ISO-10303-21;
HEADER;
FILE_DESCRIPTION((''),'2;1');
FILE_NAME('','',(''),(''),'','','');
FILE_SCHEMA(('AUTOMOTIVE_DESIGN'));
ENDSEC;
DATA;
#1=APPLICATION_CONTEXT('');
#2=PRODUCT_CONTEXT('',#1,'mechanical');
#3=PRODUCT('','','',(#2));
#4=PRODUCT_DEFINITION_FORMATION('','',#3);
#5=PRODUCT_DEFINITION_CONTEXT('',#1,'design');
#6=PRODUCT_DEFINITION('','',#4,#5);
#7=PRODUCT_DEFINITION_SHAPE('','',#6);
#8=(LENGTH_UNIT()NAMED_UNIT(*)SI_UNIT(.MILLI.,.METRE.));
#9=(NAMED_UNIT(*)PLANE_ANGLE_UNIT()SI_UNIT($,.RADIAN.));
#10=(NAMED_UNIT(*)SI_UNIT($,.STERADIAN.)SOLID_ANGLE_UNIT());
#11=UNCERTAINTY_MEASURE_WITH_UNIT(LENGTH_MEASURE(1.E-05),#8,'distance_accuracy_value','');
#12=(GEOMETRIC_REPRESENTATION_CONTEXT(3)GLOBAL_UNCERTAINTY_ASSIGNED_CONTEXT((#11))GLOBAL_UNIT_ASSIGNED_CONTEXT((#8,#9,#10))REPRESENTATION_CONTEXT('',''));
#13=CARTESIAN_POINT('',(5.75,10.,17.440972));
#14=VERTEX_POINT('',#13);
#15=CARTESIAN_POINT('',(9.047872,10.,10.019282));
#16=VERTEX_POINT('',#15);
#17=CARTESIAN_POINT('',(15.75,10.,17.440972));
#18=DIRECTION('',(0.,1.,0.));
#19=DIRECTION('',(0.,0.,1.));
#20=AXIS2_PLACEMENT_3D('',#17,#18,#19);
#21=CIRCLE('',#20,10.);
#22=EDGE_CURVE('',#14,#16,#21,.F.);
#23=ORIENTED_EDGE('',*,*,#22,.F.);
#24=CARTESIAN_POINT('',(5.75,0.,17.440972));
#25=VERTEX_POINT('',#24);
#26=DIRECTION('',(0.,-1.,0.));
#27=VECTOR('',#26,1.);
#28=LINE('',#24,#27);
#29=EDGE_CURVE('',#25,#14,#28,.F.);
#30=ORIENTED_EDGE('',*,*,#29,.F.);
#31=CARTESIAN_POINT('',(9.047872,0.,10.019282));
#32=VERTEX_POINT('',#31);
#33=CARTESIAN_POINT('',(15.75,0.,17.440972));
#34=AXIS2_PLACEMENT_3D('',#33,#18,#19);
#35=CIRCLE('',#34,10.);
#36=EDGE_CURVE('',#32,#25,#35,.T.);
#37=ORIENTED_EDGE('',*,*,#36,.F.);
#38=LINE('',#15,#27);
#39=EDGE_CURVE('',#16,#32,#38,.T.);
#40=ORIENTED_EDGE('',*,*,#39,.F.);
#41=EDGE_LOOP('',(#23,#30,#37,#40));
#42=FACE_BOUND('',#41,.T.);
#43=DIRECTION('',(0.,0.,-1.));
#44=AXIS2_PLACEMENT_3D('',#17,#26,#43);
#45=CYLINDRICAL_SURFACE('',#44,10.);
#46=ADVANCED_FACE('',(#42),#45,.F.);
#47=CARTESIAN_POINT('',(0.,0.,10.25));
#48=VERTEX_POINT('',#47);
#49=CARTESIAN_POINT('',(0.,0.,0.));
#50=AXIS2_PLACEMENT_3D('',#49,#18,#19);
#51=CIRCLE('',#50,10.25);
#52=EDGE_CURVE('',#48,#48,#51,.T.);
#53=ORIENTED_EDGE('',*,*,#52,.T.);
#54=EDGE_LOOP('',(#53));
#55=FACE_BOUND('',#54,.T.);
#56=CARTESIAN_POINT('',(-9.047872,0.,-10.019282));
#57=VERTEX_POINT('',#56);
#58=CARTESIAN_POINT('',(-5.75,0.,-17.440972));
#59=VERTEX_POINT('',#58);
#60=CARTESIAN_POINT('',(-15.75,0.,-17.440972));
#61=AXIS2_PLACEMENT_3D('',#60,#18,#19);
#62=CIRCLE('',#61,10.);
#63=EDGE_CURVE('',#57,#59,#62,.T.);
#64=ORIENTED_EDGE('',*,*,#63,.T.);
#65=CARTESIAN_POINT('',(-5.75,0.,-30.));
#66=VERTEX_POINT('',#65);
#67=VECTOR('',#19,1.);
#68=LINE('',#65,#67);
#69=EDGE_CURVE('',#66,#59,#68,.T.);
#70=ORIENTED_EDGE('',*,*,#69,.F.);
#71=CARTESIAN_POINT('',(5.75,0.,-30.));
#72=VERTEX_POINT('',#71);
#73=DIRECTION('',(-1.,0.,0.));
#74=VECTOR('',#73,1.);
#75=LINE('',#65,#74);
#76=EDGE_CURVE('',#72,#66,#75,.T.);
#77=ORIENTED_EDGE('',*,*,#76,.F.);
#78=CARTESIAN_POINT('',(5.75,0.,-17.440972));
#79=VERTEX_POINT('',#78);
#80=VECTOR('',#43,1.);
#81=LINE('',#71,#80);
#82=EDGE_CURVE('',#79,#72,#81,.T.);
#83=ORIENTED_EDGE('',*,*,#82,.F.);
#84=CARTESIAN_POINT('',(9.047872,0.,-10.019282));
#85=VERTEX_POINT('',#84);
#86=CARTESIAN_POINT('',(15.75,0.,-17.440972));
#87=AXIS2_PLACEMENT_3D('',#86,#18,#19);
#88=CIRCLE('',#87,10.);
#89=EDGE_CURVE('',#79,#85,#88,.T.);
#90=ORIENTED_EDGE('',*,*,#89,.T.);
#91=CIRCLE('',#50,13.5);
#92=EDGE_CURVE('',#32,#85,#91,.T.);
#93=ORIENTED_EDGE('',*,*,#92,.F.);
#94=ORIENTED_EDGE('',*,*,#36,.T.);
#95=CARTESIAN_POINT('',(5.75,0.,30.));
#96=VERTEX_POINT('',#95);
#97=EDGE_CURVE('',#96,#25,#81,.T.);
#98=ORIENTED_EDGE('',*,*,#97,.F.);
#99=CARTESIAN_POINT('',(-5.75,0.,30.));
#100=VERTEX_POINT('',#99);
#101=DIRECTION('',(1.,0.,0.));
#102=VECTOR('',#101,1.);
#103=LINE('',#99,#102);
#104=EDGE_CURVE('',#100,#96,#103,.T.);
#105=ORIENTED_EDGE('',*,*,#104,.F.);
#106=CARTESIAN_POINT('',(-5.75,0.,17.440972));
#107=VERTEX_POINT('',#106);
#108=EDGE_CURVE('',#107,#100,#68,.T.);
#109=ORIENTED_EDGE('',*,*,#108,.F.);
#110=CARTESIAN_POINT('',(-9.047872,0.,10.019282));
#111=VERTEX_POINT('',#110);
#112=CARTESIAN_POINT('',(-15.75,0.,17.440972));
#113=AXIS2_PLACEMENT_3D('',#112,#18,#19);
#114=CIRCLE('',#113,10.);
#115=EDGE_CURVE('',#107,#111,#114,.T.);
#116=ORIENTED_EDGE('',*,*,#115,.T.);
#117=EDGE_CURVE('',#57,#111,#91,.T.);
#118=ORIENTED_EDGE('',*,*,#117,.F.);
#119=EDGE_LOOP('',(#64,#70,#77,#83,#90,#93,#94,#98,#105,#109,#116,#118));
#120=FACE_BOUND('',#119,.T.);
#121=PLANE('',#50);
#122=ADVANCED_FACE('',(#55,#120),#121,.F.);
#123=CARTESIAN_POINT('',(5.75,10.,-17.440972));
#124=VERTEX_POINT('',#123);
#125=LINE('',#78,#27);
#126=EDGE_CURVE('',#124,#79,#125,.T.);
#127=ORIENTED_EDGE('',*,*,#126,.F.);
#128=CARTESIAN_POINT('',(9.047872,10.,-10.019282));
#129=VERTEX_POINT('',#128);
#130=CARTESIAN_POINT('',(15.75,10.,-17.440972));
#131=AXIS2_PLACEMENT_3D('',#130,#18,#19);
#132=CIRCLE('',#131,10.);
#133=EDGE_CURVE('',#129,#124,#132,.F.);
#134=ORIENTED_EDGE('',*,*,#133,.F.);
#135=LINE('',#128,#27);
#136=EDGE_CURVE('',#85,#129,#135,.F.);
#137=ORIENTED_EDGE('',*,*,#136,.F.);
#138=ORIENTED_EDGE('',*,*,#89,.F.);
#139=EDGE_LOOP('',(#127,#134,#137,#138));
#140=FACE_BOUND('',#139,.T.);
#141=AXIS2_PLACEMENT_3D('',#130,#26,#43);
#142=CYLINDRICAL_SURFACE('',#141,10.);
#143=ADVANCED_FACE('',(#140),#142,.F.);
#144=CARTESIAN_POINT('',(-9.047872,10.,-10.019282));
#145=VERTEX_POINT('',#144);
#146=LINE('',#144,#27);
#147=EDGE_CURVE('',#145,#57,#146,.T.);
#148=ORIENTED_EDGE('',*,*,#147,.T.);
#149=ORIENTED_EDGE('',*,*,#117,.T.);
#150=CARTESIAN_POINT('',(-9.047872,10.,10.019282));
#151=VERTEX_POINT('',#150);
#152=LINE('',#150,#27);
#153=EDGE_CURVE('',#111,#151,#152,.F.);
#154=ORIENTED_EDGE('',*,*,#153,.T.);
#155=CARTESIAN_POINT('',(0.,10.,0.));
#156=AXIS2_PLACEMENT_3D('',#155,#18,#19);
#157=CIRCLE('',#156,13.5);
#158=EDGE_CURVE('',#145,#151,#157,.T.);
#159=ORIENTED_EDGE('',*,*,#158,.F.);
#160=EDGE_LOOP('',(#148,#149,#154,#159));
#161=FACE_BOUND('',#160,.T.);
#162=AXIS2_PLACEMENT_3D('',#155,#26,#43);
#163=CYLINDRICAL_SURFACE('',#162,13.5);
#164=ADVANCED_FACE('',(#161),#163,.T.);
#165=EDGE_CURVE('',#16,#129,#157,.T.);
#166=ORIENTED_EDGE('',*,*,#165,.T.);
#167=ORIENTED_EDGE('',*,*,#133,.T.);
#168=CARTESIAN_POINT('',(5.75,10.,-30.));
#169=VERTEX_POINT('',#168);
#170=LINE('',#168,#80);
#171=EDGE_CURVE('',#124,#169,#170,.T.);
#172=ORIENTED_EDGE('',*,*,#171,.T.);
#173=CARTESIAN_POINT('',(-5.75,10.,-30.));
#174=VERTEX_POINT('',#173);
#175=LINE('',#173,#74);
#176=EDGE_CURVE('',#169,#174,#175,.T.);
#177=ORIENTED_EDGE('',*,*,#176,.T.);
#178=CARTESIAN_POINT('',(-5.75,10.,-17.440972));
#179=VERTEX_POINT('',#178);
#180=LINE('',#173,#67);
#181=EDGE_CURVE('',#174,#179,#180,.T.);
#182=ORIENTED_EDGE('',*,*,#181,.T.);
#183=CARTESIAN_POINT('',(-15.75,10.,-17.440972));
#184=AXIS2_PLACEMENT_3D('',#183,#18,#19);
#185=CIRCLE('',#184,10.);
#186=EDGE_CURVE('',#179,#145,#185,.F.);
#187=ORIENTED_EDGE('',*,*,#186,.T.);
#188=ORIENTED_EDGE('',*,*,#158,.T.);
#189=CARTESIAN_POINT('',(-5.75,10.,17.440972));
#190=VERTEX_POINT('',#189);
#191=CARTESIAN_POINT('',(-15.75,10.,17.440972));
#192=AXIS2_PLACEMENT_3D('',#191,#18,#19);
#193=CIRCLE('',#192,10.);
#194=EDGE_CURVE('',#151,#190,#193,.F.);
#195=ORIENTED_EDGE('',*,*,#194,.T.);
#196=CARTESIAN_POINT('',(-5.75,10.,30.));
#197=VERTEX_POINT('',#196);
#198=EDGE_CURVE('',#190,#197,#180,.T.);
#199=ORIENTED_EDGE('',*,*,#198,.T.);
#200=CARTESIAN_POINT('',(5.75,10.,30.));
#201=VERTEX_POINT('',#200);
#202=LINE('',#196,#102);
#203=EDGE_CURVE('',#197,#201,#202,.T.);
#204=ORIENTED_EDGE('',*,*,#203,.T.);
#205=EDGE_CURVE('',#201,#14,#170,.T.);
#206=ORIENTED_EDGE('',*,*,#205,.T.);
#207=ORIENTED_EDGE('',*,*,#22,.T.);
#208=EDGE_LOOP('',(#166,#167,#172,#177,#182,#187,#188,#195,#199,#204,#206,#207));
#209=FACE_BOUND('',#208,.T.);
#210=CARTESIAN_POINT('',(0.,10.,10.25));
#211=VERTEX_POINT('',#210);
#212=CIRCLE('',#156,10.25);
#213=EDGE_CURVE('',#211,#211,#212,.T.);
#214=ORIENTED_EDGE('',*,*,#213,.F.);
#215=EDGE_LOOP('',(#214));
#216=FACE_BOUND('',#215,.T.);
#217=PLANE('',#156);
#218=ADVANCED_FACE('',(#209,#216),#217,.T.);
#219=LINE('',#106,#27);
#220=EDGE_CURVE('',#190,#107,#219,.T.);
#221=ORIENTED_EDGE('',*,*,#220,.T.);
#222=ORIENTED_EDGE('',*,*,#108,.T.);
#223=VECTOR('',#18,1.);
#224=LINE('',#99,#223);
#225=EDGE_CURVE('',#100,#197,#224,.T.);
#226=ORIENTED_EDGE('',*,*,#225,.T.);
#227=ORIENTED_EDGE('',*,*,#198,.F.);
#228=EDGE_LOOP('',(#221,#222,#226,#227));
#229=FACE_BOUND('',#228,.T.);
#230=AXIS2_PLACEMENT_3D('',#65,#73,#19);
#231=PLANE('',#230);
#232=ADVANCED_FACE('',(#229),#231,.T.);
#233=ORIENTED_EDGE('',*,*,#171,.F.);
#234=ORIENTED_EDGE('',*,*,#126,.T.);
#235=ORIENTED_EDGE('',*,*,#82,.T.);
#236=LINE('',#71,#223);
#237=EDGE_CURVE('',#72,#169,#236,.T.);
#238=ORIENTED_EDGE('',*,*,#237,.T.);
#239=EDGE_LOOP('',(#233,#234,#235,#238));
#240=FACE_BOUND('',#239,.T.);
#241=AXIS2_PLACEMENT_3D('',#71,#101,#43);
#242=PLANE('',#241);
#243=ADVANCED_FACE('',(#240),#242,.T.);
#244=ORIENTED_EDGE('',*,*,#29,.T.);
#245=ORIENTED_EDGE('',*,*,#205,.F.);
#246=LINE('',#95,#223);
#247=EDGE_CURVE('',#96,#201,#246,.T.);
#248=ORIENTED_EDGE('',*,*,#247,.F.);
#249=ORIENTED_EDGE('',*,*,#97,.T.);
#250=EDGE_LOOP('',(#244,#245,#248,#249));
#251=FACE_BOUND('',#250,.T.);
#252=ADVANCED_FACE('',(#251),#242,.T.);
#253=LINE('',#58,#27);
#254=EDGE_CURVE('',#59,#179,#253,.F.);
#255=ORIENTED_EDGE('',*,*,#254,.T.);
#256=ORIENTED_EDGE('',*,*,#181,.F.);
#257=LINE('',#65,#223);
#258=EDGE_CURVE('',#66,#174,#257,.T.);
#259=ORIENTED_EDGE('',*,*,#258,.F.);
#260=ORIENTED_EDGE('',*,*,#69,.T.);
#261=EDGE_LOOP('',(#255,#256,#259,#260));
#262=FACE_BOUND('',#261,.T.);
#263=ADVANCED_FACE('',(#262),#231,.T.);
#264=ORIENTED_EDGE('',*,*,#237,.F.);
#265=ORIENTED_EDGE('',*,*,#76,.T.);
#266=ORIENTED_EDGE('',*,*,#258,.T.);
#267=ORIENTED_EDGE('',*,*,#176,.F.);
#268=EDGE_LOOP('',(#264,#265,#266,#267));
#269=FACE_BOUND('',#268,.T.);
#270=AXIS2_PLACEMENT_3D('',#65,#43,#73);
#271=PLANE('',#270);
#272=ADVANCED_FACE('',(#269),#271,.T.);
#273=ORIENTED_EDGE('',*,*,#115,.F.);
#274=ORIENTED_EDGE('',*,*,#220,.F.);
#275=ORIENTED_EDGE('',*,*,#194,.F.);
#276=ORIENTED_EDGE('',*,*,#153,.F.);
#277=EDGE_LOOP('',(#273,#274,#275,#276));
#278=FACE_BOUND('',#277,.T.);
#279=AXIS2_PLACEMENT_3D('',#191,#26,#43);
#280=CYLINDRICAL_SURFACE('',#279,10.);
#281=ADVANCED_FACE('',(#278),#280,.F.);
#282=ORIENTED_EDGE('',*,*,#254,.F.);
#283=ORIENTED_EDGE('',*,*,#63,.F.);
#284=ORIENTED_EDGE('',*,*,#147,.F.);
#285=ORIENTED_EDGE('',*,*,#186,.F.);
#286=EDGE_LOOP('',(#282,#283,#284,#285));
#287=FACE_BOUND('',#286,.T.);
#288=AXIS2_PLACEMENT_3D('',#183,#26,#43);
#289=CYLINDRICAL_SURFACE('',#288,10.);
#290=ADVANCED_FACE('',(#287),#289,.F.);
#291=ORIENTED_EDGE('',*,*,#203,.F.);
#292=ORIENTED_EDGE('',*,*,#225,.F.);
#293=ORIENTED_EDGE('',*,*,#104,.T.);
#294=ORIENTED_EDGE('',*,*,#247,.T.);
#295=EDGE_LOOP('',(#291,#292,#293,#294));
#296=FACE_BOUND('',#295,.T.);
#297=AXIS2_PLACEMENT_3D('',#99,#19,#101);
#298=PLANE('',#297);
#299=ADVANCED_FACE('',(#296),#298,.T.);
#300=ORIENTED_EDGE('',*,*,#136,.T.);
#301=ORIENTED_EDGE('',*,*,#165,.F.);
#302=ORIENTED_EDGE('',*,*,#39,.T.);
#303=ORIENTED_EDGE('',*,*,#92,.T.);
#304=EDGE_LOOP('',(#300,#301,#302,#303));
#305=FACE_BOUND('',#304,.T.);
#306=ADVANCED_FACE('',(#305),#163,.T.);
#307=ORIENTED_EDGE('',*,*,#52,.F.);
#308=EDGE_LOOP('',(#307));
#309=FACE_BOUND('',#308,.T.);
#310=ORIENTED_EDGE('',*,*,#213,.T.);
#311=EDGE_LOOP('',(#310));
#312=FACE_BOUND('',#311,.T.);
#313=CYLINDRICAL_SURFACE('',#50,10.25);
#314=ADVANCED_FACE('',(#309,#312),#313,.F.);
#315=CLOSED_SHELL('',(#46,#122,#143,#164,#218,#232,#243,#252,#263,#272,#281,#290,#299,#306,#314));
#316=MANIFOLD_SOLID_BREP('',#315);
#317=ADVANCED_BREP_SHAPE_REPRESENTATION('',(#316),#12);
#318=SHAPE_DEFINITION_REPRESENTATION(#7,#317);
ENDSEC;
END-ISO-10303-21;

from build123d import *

# Parameters (mm, degrees)
SKETCH_1_R          = 13.5
EXTRUDE_1_DEPTH     = 10
SKETCH_2_W          = 11.5
SKETCH_2_H          = 60
EXTRUDE_2_DEPTH     = 10
SKETCH_3_R          = 10.25
CUT_EXTRUDE_1_DEPTH = 10
FILLET_1_R          = 10


with BuildPart() as part:
    # 草图1 → 凸台-拉伸1 (new body)
    with BuildSketch(Plane(origin=(0, 0, 0), x_dir=(1, 0, 0), z_dir=(0, 1, 0))):
        with Locations(Location((0, 0, 0), (0, 0, 270))):
            Circle(SKETCH_1_R)
    extrude(amount=EXTRUDE_1_DEPTH)

    # 草图2 → 凸台-拉伸2 (add)
    with BuildSketch(Plane(origin=(0, 10, 0), x_dir=(1, 0, 0), z_dir=(0, 1, 0))):
        Rectangle(SKETCH_2_W, SKETCH_2_H)
    extrude(amount=-EXTRUDE_2_DEPTH)

    # 草图3 → 切除-拉伸1 (cut)
    with BuildSketch(Plane(origin=(0, 10, 0), x_dir=(1, 0, 0), z_dir=(0, 1, 0))):
        with Locations(Location((0, 0, 0), (0, 0, 270))):
            Circle(SKETCH_3_R)
    extrude(amount=-CUT_EXTRUDE_1_DEPTH, mode=Mode.SUBTRACT)

    # 圆角1
    fillet_1_edges = [part.edges().sort_by_distance(p)[0] for p in [
        (-5.75, 5, -12.2142335),
        (-5.75, 5, 12.2142335),
        (5.75, 5, 12.2142335),
        (5.75, 5, -12.2142335),
    ]]
    fillet(fillet_1_edges, radius=FILLET_1_R)


solid = part.part
